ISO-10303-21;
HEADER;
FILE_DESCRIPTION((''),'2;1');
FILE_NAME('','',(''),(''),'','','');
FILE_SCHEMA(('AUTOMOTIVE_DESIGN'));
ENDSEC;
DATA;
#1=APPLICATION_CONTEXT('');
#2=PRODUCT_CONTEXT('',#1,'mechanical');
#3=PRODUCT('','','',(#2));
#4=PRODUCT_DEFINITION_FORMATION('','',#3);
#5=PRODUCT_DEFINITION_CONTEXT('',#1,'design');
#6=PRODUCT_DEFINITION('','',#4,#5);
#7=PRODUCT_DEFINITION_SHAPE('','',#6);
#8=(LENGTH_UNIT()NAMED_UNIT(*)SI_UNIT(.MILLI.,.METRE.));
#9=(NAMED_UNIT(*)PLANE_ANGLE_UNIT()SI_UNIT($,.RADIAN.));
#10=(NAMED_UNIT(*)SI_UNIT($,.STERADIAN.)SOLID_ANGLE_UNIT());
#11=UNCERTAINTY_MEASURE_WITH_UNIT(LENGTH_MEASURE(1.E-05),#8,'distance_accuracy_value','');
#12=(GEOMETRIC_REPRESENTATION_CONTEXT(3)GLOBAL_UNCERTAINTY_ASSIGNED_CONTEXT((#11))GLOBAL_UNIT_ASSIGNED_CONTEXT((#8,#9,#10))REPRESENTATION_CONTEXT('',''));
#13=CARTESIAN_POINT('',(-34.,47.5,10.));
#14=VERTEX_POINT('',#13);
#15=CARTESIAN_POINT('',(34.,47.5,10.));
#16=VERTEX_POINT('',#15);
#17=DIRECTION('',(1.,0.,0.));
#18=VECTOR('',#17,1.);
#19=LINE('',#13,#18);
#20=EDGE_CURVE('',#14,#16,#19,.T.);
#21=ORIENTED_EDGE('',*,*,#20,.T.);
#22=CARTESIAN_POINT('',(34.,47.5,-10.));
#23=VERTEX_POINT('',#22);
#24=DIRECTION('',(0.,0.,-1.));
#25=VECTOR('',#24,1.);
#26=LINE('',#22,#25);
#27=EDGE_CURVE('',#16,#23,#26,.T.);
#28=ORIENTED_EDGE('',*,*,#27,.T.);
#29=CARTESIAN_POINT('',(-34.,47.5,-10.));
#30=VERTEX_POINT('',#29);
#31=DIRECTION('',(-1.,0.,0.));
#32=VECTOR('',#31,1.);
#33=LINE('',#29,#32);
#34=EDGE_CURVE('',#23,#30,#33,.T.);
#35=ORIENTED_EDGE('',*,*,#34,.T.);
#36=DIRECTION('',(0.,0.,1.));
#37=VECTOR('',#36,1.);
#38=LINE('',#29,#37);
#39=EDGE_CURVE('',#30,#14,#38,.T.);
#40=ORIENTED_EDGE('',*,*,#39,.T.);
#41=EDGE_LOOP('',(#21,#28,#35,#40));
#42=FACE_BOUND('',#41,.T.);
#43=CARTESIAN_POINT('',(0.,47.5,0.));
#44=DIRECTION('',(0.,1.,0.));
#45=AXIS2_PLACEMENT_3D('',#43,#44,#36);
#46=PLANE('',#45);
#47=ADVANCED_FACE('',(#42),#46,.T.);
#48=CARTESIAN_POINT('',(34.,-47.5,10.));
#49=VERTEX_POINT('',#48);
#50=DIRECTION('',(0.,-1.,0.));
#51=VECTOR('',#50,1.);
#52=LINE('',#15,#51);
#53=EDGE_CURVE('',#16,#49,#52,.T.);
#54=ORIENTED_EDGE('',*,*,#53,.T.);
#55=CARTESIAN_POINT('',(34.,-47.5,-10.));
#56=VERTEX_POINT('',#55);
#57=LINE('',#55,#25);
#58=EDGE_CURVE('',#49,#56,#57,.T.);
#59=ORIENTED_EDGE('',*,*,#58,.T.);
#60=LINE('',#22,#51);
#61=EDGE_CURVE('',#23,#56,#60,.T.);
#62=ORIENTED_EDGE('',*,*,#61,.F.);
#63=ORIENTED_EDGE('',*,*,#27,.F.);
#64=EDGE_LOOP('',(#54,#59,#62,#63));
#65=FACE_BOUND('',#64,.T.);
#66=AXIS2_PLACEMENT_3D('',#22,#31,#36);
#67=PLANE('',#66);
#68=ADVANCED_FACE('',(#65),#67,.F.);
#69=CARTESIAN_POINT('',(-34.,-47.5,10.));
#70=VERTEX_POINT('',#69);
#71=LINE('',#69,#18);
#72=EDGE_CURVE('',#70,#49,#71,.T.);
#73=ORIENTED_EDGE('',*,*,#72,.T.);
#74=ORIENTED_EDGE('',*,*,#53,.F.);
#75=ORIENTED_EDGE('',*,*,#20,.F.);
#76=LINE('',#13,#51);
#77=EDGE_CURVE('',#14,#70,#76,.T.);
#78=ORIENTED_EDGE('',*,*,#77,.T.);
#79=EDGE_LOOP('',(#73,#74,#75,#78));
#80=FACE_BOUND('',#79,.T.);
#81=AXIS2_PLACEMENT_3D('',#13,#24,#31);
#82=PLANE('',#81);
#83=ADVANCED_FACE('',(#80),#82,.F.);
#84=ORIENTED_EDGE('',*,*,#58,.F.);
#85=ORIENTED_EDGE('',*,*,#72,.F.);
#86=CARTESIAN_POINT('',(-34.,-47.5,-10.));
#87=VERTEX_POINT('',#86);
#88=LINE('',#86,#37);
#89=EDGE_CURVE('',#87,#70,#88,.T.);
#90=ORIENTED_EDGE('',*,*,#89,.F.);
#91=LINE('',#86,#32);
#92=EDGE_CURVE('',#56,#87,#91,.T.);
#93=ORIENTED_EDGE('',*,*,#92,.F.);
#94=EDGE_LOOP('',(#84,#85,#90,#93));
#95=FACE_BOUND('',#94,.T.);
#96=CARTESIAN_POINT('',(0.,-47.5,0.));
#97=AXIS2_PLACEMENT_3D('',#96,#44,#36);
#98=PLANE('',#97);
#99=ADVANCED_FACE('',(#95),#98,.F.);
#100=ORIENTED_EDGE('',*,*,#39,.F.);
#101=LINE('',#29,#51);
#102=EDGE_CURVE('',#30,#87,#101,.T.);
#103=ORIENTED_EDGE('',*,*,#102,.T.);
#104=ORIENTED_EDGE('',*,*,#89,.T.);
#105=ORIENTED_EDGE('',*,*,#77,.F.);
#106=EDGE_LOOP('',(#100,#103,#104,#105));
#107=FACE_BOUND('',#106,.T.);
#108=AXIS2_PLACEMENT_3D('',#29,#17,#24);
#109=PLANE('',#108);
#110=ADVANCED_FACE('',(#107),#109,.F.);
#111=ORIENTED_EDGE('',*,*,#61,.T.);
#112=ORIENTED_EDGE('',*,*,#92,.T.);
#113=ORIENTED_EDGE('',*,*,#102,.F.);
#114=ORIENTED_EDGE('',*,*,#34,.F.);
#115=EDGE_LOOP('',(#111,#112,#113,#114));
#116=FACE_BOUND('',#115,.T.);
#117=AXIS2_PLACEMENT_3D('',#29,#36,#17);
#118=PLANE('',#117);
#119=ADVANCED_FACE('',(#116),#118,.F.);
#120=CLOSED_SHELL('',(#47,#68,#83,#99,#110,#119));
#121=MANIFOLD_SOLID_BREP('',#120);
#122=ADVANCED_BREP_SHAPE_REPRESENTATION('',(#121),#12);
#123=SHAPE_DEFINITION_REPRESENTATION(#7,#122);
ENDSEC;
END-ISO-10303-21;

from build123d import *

# Parameters (mm, degrees)
SKETCH1_W           = 68
SKETCH1_H           = 20
BOSS_EXTRUDE1_DEPTH = 47.5


with BuildPart() as part:
    # Sketch1 → Boss-Extrude1 (new body, symmetric)
    with BuildSketch(Plane(origin=(0, 0, 0), x_dir=(1, 0, 0), z_dir=(0, 1, 0))):
        Rectangle(SKETCH1_W, SKETCH1_H)
    extrude(amount=BOSS_EXTRUDE1_DEPTH, both=True)


solid = part.part
